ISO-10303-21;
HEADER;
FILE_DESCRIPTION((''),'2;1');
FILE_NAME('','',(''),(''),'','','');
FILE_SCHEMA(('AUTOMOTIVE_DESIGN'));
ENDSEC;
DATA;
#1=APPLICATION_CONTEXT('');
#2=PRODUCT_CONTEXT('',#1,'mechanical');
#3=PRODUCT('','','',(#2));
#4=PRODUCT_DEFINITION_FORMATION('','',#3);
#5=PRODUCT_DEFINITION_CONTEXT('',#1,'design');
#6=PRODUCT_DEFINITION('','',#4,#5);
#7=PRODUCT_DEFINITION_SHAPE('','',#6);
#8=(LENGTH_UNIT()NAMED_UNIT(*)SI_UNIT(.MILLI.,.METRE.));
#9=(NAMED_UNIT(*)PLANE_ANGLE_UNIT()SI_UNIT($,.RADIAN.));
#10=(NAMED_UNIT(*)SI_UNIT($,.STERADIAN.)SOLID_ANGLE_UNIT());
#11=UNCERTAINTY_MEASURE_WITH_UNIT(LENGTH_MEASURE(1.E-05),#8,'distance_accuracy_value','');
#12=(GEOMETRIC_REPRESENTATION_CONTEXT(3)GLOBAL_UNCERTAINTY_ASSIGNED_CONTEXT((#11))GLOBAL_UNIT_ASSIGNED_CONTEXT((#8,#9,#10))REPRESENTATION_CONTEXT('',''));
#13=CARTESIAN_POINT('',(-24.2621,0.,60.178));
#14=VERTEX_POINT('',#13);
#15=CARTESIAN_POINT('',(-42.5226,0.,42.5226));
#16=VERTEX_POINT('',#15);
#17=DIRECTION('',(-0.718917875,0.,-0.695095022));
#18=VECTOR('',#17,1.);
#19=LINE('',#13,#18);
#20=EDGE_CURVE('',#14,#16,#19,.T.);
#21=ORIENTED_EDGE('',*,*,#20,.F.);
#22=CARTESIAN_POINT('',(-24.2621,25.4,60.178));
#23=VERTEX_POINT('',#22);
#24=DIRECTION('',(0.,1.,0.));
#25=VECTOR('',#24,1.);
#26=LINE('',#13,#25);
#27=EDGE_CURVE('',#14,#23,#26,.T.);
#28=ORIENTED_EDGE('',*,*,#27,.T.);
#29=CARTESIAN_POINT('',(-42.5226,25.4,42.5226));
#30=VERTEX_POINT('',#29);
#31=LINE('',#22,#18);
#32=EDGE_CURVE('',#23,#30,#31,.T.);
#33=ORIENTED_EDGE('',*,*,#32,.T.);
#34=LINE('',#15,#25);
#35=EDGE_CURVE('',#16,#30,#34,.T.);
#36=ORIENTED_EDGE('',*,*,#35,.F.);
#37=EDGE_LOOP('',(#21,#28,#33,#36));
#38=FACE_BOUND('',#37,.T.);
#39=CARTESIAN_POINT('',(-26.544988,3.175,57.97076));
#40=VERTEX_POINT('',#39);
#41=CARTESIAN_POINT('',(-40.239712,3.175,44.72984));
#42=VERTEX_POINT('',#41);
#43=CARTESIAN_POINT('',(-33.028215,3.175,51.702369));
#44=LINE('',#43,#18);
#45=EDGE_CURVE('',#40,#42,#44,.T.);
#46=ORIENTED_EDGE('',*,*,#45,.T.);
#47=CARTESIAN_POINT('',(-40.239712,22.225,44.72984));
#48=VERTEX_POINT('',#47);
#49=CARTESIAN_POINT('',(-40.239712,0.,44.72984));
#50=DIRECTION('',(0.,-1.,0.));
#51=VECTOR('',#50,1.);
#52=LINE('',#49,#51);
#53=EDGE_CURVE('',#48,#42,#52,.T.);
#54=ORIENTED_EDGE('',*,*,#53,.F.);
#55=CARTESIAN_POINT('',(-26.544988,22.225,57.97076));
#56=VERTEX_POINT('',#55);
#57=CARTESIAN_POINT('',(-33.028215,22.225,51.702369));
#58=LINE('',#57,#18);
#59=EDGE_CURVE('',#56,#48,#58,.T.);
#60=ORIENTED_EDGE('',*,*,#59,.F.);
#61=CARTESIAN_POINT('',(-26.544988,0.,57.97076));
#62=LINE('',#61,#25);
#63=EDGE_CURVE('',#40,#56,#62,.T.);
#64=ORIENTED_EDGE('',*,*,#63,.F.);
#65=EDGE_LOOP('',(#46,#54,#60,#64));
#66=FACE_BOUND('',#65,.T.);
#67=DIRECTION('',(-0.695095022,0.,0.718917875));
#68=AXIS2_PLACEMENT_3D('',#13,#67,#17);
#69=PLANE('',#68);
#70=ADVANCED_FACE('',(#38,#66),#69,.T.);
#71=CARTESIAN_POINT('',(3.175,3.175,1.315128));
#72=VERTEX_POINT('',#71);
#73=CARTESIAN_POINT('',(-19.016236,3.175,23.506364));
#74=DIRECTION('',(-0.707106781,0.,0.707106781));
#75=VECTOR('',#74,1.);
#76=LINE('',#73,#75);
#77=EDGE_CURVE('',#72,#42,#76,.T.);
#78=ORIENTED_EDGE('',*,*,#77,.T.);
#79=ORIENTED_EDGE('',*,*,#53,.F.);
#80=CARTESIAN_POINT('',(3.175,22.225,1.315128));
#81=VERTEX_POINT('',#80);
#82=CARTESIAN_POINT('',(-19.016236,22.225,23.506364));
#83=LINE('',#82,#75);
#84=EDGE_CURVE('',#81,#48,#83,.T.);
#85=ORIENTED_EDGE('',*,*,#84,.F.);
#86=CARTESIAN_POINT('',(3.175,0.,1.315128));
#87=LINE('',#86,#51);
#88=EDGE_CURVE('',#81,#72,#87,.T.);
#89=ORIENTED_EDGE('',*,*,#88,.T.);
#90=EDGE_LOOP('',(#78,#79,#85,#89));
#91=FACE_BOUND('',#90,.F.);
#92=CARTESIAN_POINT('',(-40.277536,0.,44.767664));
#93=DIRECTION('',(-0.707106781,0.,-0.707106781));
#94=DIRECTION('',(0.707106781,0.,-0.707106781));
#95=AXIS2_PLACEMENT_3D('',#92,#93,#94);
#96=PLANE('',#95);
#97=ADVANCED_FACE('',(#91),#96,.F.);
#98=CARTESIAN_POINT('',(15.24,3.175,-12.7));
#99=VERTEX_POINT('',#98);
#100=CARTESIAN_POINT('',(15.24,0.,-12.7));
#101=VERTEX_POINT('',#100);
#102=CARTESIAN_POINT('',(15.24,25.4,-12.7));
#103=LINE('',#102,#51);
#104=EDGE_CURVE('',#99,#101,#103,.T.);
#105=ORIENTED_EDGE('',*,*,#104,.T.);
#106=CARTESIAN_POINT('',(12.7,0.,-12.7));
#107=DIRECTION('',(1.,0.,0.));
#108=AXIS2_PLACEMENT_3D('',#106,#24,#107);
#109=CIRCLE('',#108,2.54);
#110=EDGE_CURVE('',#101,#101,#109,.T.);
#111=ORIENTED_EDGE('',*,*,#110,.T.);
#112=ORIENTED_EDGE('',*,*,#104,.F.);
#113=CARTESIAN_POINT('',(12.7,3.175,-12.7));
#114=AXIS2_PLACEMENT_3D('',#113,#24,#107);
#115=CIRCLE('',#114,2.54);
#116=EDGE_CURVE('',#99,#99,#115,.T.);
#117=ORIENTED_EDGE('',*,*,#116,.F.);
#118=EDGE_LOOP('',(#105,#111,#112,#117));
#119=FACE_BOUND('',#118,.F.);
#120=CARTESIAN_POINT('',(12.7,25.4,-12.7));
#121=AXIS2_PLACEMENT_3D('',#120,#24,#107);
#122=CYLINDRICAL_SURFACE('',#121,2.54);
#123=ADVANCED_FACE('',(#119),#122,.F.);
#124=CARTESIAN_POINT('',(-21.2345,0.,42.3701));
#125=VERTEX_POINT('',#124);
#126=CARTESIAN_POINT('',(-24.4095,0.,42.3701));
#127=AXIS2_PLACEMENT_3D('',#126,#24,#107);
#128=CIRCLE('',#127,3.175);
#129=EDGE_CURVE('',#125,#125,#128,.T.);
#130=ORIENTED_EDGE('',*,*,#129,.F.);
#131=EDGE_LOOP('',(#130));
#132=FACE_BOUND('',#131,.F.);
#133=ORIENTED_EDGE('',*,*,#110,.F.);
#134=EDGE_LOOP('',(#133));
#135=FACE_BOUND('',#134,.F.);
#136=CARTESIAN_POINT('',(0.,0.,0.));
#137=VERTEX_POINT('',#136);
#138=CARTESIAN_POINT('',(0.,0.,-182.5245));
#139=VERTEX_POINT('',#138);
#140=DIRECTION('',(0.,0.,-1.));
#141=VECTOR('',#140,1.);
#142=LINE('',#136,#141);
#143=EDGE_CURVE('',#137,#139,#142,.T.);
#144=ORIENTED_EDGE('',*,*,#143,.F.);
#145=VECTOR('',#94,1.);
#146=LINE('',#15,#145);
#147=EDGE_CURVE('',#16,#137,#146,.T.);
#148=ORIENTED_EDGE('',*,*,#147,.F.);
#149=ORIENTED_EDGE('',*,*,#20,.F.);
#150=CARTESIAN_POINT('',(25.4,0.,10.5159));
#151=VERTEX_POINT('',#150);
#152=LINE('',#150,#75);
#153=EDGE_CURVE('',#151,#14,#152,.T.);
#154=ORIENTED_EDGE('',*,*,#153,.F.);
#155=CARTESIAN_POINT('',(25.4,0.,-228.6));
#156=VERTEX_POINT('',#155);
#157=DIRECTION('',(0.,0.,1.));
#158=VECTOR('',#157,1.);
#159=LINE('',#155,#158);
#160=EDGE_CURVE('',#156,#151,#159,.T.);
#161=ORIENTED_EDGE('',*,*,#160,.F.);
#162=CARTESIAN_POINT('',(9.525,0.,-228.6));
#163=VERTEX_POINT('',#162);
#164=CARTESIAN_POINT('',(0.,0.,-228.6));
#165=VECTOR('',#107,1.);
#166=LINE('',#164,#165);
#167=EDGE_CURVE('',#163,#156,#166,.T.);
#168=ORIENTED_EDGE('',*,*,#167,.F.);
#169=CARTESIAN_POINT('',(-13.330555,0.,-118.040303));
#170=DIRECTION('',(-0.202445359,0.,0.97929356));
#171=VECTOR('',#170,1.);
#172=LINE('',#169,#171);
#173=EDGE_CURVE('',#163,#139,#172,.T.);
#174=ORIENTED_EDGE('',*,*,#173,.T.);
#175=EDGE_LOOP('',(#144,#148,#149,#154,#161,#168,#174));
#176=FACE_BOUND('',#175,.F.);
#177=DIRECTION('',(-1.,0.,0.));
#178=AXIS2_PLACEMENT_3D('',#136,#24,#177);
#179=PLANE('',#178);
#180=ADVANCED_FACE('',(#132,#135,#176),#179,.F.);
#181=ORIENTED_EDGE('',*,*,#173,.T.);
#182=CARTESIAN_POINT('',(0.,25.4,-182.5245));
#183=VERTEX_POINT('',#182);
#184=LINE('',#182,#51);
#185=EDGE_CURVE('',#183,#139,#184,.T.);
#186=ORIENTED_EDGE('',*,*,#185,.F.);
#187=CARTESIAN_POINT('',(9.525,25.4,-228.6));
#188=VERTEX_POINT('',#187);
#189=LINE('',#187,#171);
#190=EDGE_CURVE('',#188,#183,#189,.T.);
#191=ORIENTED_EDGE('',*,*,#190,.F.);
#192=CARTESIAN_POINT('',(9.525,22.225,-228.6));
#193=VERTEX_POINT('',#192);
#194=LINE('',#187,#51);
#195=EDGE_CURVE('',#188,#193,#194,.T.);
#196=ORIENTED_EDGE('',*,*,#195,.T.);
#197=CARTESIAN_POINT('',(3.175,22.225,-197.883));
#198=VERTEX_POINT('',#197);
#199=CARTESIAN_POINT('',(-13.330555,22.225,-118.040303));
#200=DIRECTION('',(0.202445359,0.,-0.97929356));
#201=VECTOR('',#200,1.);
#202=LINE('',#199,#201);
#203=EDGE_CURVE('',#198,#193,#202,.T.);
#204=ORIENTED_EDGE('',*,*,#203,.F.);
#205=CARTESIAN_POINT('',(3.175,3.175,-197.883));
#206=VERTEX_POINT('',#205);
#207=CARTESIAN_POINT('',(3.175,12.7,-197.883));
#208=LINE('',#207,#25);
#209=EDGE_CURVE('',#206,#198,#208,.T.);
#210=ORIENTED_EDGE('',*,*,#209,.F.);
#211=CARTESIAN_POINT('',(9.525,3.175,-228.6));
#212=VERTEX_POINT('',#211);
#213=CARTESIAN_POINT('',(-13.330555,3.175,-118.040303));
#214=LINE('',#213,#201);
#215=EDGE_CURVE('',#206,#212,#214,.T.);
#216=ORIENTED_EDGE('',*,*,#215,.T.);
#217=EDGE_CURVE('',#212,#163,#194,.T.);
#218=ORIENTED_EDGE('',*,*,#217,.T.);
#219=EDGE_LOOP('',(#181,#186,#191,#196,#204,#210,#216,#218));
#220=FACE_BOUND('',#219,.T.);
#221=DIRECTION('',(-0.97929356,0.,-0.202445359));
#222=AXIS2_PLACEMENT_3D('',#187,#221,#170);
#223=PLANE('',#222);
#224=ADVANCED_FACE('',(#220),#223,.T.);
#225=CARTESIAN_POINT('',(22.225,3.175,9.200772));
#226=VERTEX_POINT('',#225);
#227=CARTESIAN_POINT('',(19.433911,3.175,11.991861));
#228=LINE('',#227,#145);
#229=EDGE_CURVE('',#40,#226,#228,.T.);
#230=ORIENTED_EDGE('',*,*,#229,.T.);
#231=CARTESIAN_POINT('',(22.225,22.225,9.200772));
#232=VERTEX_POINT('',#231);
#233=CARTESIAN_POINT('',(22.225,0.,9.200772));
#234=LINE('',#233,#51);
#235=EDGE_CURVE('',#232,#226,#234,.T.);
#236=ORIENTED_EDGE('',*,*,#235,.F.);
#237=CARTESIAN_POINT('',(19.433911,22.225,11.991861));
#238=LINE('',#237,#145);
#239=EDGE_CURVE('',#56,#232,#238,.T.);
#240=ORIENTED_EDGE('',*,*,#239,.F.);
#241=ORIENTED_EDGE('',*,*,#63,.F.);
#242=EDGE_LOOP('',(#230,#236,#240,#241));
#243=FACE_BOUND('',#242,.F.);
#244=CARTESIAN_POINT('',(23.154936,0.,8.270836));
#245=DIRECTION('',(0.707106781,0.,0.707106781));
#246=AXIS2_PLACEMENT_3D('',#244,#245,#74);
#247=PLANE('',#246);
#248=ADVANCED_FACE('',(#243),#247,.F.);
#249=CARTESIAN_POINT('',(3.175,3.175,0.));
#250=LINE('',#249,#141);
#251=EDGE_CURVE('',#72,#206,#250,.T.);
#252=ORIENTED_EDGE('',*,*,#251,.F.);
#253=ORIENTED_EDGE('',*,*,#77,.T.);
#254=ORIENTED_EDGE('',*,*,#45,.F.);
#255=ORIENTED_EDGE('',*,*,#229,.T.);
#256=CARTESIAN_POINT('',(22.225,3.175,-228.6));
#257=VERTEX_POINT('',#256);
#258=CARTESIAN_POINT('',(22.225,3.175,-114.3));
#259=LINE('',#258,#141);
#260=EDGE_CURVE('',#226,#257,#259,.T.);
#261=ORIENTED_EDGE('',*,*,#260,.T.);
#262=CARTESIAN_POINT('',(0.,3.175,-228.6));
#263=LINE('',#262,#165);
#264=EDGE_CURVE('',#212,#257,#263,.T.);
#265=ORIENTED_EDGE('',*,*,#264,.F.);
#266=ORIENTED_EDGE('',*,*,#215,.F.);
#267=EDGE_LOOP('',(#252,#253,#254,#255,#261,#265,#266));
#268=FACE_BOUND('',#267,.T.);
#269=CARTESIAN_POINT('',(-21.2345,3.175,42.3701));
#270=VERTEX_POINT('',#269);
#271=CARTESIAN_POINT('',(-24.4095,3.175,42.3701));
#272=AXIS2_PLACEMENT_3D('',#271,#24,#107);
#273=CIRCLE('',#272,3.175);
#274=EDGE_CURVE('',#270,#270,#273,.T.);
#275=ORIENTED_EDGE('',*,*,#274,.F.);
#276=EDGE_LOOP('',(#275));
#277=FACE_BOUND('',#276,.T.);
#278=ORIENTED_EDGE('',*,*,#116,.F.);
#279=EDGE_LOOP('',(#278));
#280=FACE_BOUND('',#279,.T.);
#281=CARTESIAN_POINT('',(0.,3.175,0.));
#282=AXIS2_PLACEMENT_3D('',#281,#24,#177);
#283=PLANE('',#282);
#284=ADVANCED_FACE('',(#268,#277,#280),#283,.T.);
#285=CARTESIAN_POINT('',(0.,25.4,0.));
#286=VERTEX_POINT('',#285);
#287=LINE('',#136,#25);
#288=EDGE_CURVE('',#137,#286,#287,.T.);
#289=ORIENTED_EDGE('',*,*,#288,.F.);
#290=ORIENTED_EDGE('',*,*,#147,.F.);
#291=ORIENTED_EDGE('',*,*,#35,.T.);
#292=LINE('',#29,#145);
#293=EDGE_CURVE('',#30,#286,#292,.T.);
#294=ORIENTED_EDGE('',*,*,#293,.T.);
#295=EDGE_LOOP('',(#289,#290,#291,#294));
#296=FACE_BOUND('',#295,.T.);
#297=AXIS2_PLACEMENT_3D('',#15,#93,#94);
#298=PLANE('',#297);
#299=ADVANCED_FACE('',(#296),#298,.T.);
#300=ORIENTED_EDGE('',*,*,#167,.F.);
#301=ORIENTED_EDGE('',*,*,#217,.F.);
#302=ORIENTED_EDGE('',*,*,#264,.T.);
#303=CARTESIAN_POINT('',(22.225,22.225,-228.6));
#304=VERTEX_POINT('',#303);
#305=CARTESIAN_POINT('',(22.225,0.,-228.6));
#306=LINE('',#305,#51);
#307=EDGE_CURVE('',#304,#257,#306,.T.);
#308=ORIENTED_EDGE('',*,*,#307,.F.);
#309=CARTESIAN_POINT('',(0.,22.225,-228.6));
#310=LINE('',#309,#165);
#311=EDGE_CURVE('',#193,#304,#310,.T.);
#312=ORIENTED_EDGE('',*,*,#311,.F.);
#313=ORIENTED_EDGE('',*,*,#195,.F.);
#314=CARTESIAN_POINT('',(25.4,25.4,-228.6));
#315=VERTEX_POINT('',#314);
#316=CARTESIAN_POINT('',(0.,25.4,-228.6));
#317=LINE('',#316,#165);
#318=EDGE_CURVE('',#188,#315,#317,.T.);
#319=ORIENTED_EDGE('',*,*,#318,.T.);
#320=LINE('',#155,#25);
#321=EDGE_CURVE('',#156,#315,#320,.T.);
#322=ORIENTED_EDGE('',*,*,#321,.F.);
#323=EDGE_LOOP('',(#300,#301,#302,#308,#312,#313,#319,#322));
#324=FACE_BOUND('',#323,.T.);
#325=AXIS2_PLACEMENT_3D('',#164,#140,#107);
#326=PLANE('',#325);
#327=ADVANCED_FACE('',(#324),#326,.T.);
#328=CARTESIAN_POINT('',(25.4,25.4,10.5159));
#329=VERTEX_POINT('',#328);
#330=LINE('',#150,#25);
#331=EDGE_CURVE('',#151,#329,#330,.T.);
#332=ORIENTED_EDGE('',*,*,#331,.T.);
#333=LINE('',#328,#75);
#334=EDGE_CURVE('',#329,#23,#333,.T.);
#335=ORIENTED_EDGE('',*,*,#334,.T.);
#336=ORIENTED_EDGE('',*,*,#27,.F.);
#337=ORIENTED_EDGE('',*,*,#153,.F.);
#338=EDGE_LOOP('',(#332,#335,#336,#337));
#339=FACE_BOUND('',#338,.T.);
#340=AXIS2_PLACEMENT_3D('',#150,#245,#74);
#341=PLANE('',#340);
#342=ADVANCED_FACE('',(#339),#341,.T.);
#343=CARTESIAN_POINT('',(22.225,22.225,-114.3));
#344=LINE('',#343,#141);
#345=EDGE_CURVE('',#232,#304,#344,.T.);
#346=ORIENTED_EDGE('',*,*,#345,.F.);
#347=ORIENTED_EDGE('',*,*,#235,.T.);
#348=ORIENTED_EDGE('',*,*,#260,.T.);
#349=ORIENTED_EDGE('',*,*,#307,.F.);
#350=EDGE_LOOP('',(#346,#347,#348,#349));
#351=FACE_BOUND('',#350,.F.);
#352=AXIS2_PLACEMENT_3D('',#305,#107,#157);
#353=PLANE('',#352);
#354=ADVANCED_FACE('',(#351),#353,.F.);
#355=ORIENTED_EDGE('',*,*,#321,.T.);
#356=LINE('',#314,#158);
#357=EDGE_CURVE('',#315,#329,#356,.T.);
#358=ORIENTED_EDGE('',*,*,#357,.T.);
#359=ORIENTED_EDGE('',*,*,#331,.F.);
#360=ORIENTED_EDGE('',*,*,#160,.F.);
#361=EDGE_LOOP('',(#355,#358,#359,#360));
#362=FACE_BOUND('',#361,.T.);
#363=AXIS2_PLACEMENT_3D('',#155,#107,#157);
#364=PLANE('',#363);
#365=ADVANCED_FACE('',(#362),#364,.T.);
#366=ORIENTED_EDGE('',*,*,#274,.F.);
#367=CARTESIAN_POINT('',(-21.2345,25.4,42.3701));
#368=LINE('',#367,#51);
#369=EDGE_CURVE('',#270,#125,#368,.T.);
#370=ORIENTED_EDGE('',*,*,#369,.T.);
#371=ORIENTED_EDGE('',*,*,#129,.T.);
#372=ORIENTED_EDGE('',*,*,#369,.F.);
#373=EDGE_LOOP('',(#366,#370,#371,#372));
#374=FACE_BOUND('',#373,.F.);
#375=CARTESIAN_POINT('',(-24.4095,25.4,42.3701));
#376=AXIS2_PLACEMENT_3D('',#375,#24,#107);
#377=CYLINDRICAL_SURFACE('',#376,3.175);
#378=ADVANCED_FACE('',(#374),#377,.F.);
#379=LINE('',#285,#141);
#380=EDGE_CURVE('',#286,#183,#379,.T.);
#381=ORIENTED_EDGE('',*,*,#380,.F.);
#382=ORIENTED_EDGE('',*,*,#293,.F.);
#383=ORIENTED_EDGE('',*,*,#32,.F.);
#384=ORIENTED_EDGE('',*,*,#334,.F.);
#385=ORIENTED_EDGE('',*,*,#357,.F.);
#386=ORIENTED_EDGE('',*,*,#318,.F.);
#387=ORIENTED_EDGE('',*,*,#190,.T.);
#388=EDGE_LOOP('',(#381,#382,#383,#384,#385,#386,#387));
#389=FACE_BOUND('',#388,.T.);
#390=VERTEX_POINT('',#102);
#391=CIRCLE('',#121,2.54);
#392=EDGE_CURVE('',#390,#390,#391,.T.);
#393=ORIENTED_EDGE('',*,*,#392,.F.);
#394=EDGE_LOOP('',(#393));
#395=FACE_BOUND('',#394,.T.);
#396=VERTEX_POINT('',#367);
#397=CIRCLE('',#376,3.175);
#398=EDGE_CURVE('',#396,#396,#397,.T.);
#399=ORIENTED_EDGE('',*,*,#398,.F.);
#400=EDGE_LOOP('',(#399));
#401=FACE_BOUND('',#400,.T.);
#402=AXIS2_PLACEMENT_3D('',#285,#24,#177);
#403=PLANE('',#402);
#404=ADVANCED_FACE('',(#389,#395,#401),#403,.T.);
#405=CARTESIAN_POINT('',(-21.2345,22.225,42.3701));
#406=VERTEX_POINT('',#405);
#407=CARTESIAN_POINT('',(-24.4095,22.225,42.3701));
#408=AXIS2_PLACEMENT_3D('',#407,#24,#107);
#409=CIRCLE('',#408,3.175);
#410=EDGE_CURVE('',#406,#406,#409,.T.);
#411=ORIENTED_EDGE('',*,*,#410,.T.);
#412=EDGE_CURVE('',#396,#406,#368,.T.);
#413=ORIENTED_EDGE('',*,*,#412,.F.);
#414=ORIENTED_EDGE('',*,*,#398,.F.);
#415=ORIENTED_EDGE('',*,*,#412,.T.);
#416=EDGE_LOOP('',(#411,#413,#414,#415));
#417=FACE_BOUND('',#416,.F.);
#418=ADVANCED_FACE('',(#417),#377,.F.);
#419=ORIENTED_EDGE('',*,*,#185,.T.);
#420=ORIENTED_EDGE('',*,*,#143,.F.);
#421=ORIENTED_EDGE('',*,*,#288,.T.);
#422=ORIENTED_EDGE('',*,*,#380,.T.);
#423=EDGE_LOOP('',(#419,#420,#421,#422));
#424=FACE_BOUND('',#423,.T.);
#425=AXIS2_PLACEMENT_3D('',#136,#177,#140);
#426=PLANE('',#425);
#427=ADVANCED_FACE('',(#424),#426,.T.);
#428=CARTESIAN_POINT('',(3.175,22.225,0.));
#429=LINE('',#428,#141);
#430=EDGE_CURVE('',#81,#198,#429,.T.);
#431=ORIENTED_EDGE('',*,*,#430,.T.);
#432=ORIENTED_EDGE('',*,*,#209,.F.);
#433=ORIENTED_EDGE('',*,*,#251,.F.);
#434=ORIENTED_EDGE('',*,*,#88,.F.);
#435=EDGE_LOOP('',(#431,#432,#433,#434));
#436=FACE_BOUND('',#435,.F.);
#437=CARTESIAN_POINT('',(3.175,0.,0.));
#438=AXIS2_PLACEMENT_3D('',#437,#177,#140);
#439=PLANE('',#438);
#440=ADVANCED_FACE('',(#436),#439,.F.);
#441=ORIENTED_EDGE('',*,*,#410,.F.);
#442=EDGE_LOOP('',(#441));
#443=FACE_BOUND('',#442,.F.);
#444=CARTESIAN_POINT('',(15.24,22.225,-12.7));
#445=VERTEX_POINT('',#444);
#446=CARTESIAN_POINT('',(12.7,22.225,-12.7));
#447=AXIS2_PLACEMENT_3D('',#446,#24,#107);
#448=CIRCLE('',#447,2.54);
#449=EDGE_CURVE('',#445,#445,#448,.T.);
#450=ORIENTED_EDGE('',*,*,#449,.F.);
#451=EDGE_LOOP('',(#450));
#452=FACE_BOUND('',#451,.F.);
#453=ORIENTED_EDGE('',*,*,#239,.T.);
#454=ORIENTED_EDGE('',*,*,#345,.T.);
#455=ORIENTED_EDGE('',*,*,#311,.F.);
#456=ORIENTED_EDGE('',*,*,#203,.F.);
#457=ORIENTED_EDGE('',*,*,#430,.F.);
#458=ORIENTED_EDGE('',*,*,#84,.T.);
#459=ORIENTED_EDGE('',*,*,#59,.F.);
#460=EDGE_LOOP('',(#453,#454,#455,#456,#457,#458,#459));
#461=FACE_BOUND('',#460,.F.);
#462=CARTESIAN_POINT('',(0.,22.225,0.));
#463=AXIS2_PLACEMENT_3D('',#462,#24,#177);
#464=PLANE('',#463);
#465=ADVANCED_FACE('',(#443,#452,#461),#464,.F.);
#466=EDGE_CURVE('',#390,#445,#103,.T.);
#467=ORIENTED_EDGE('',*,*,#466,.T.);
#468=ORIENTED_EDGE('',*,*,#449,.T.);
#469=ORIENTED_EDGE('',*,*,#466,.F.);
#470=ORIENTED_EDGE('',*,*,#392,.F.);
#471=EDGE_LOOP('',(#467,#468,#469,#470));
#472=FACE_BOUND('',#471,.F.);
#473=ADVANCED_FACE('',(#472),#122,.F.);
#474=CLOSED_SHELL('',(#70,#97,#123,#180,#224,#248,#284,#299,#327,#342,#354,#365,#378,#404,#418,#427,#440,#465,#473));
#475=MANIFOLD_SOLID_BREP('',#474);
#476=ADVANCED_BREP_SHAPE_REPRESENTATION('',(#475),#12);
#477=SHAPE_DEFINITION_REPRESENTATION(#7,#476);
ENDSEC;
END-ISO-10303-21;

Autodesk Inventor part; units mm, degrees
ref_plane "YZ Plane" through (0, 0, 0) normal (1, 0, 0) x (0, 1, 0)
ref_plane "XZ Plane" through (0, 0, 0) normal (0, 1, 0) x (-1, 0, 0)
ref_plane "XY Plane" through (0, 0, 0) normal (0, 0, 1) x (1, 0, 0)
sketch "Sketch1" plane through (0, 0, 0) normal (0, 1, 0) x (-1, 0, 0)
  line L0 (0, 0) -> (0, -228.6)
  line L1 (0, -228.6) -> (-25.4, -228.6)
  line L2 (-25.4, -228.6) -> (-25.4, 10.5159)
  line L3 (-25.4, 10.5159) -> (24.2621, 60.178)
  line L4 (24.2621, 60.178) -> (42.5226, 42.5226)
  line L5 (42.5226, 42.5226) -> (0, 0)
  dimension "d0" = 228.6
  dimension "d1" = 25.4
  dimension "d2" = 135
  dimension "d3" = 25.4
extrude "Extrusion1" add sketch "Sketch1" along normal blind 25.4
sketch "Sketch2" plane through (0, 25.4, 0) normal (0, 1, 0) x (1, 0, 0)
  line L0 (25.4, 228.6) -> (0, 228.6) projected
  line L1 (9.525, 228.6) -> (0, 182.5245)
  line L2 (0, 228.6) -> (0, 0) projected
  dimension "d6" = 11.68
  dimension "d7" = 9.525
extrude "Extrusion2" cut sketch "Sketch2" against normal through all
shell "Shell1" thickness 3.175 removed faces 3 at (3.175, 16.9333, -197.883) at (14.8167, 8.4667, -228.6) at (-30.3489, 8.4667, 54.2929)
sketch "Sketch3" plane through (0, 25.4, 0) normal (0, 1, 0) x (1, 0, 0)
  circle A0 centre (-24.4095, -42.3701) radius 3.175
  line L0 (-42.5226, -42.5226) -> (-24.2621, -60.178) projected
  line L1 (0, 0) -> (-42.5226, -42.5226) projected
  line L2 (0, 0) -> (25.4, 0)
  line L3 (25.4, -10.5159) -> (25.4, 228.6) projected
  circle A1 centre (12.7, 12.7) radius 2.54
  line L4 (0, 182.5245) -> (0, 0) projected
  dimension "d11" = 6.35
  dimension "d12" = 12.7
  dimension "d13" = 12.7
  dimension "d14" = 5.08
  dimension "d15" = 12.7
  dimension "d16" = 12.7
extrude "Extrusion3" cut sketch "Sketch3" against normal through all
properties material "Aluminum 6061"
